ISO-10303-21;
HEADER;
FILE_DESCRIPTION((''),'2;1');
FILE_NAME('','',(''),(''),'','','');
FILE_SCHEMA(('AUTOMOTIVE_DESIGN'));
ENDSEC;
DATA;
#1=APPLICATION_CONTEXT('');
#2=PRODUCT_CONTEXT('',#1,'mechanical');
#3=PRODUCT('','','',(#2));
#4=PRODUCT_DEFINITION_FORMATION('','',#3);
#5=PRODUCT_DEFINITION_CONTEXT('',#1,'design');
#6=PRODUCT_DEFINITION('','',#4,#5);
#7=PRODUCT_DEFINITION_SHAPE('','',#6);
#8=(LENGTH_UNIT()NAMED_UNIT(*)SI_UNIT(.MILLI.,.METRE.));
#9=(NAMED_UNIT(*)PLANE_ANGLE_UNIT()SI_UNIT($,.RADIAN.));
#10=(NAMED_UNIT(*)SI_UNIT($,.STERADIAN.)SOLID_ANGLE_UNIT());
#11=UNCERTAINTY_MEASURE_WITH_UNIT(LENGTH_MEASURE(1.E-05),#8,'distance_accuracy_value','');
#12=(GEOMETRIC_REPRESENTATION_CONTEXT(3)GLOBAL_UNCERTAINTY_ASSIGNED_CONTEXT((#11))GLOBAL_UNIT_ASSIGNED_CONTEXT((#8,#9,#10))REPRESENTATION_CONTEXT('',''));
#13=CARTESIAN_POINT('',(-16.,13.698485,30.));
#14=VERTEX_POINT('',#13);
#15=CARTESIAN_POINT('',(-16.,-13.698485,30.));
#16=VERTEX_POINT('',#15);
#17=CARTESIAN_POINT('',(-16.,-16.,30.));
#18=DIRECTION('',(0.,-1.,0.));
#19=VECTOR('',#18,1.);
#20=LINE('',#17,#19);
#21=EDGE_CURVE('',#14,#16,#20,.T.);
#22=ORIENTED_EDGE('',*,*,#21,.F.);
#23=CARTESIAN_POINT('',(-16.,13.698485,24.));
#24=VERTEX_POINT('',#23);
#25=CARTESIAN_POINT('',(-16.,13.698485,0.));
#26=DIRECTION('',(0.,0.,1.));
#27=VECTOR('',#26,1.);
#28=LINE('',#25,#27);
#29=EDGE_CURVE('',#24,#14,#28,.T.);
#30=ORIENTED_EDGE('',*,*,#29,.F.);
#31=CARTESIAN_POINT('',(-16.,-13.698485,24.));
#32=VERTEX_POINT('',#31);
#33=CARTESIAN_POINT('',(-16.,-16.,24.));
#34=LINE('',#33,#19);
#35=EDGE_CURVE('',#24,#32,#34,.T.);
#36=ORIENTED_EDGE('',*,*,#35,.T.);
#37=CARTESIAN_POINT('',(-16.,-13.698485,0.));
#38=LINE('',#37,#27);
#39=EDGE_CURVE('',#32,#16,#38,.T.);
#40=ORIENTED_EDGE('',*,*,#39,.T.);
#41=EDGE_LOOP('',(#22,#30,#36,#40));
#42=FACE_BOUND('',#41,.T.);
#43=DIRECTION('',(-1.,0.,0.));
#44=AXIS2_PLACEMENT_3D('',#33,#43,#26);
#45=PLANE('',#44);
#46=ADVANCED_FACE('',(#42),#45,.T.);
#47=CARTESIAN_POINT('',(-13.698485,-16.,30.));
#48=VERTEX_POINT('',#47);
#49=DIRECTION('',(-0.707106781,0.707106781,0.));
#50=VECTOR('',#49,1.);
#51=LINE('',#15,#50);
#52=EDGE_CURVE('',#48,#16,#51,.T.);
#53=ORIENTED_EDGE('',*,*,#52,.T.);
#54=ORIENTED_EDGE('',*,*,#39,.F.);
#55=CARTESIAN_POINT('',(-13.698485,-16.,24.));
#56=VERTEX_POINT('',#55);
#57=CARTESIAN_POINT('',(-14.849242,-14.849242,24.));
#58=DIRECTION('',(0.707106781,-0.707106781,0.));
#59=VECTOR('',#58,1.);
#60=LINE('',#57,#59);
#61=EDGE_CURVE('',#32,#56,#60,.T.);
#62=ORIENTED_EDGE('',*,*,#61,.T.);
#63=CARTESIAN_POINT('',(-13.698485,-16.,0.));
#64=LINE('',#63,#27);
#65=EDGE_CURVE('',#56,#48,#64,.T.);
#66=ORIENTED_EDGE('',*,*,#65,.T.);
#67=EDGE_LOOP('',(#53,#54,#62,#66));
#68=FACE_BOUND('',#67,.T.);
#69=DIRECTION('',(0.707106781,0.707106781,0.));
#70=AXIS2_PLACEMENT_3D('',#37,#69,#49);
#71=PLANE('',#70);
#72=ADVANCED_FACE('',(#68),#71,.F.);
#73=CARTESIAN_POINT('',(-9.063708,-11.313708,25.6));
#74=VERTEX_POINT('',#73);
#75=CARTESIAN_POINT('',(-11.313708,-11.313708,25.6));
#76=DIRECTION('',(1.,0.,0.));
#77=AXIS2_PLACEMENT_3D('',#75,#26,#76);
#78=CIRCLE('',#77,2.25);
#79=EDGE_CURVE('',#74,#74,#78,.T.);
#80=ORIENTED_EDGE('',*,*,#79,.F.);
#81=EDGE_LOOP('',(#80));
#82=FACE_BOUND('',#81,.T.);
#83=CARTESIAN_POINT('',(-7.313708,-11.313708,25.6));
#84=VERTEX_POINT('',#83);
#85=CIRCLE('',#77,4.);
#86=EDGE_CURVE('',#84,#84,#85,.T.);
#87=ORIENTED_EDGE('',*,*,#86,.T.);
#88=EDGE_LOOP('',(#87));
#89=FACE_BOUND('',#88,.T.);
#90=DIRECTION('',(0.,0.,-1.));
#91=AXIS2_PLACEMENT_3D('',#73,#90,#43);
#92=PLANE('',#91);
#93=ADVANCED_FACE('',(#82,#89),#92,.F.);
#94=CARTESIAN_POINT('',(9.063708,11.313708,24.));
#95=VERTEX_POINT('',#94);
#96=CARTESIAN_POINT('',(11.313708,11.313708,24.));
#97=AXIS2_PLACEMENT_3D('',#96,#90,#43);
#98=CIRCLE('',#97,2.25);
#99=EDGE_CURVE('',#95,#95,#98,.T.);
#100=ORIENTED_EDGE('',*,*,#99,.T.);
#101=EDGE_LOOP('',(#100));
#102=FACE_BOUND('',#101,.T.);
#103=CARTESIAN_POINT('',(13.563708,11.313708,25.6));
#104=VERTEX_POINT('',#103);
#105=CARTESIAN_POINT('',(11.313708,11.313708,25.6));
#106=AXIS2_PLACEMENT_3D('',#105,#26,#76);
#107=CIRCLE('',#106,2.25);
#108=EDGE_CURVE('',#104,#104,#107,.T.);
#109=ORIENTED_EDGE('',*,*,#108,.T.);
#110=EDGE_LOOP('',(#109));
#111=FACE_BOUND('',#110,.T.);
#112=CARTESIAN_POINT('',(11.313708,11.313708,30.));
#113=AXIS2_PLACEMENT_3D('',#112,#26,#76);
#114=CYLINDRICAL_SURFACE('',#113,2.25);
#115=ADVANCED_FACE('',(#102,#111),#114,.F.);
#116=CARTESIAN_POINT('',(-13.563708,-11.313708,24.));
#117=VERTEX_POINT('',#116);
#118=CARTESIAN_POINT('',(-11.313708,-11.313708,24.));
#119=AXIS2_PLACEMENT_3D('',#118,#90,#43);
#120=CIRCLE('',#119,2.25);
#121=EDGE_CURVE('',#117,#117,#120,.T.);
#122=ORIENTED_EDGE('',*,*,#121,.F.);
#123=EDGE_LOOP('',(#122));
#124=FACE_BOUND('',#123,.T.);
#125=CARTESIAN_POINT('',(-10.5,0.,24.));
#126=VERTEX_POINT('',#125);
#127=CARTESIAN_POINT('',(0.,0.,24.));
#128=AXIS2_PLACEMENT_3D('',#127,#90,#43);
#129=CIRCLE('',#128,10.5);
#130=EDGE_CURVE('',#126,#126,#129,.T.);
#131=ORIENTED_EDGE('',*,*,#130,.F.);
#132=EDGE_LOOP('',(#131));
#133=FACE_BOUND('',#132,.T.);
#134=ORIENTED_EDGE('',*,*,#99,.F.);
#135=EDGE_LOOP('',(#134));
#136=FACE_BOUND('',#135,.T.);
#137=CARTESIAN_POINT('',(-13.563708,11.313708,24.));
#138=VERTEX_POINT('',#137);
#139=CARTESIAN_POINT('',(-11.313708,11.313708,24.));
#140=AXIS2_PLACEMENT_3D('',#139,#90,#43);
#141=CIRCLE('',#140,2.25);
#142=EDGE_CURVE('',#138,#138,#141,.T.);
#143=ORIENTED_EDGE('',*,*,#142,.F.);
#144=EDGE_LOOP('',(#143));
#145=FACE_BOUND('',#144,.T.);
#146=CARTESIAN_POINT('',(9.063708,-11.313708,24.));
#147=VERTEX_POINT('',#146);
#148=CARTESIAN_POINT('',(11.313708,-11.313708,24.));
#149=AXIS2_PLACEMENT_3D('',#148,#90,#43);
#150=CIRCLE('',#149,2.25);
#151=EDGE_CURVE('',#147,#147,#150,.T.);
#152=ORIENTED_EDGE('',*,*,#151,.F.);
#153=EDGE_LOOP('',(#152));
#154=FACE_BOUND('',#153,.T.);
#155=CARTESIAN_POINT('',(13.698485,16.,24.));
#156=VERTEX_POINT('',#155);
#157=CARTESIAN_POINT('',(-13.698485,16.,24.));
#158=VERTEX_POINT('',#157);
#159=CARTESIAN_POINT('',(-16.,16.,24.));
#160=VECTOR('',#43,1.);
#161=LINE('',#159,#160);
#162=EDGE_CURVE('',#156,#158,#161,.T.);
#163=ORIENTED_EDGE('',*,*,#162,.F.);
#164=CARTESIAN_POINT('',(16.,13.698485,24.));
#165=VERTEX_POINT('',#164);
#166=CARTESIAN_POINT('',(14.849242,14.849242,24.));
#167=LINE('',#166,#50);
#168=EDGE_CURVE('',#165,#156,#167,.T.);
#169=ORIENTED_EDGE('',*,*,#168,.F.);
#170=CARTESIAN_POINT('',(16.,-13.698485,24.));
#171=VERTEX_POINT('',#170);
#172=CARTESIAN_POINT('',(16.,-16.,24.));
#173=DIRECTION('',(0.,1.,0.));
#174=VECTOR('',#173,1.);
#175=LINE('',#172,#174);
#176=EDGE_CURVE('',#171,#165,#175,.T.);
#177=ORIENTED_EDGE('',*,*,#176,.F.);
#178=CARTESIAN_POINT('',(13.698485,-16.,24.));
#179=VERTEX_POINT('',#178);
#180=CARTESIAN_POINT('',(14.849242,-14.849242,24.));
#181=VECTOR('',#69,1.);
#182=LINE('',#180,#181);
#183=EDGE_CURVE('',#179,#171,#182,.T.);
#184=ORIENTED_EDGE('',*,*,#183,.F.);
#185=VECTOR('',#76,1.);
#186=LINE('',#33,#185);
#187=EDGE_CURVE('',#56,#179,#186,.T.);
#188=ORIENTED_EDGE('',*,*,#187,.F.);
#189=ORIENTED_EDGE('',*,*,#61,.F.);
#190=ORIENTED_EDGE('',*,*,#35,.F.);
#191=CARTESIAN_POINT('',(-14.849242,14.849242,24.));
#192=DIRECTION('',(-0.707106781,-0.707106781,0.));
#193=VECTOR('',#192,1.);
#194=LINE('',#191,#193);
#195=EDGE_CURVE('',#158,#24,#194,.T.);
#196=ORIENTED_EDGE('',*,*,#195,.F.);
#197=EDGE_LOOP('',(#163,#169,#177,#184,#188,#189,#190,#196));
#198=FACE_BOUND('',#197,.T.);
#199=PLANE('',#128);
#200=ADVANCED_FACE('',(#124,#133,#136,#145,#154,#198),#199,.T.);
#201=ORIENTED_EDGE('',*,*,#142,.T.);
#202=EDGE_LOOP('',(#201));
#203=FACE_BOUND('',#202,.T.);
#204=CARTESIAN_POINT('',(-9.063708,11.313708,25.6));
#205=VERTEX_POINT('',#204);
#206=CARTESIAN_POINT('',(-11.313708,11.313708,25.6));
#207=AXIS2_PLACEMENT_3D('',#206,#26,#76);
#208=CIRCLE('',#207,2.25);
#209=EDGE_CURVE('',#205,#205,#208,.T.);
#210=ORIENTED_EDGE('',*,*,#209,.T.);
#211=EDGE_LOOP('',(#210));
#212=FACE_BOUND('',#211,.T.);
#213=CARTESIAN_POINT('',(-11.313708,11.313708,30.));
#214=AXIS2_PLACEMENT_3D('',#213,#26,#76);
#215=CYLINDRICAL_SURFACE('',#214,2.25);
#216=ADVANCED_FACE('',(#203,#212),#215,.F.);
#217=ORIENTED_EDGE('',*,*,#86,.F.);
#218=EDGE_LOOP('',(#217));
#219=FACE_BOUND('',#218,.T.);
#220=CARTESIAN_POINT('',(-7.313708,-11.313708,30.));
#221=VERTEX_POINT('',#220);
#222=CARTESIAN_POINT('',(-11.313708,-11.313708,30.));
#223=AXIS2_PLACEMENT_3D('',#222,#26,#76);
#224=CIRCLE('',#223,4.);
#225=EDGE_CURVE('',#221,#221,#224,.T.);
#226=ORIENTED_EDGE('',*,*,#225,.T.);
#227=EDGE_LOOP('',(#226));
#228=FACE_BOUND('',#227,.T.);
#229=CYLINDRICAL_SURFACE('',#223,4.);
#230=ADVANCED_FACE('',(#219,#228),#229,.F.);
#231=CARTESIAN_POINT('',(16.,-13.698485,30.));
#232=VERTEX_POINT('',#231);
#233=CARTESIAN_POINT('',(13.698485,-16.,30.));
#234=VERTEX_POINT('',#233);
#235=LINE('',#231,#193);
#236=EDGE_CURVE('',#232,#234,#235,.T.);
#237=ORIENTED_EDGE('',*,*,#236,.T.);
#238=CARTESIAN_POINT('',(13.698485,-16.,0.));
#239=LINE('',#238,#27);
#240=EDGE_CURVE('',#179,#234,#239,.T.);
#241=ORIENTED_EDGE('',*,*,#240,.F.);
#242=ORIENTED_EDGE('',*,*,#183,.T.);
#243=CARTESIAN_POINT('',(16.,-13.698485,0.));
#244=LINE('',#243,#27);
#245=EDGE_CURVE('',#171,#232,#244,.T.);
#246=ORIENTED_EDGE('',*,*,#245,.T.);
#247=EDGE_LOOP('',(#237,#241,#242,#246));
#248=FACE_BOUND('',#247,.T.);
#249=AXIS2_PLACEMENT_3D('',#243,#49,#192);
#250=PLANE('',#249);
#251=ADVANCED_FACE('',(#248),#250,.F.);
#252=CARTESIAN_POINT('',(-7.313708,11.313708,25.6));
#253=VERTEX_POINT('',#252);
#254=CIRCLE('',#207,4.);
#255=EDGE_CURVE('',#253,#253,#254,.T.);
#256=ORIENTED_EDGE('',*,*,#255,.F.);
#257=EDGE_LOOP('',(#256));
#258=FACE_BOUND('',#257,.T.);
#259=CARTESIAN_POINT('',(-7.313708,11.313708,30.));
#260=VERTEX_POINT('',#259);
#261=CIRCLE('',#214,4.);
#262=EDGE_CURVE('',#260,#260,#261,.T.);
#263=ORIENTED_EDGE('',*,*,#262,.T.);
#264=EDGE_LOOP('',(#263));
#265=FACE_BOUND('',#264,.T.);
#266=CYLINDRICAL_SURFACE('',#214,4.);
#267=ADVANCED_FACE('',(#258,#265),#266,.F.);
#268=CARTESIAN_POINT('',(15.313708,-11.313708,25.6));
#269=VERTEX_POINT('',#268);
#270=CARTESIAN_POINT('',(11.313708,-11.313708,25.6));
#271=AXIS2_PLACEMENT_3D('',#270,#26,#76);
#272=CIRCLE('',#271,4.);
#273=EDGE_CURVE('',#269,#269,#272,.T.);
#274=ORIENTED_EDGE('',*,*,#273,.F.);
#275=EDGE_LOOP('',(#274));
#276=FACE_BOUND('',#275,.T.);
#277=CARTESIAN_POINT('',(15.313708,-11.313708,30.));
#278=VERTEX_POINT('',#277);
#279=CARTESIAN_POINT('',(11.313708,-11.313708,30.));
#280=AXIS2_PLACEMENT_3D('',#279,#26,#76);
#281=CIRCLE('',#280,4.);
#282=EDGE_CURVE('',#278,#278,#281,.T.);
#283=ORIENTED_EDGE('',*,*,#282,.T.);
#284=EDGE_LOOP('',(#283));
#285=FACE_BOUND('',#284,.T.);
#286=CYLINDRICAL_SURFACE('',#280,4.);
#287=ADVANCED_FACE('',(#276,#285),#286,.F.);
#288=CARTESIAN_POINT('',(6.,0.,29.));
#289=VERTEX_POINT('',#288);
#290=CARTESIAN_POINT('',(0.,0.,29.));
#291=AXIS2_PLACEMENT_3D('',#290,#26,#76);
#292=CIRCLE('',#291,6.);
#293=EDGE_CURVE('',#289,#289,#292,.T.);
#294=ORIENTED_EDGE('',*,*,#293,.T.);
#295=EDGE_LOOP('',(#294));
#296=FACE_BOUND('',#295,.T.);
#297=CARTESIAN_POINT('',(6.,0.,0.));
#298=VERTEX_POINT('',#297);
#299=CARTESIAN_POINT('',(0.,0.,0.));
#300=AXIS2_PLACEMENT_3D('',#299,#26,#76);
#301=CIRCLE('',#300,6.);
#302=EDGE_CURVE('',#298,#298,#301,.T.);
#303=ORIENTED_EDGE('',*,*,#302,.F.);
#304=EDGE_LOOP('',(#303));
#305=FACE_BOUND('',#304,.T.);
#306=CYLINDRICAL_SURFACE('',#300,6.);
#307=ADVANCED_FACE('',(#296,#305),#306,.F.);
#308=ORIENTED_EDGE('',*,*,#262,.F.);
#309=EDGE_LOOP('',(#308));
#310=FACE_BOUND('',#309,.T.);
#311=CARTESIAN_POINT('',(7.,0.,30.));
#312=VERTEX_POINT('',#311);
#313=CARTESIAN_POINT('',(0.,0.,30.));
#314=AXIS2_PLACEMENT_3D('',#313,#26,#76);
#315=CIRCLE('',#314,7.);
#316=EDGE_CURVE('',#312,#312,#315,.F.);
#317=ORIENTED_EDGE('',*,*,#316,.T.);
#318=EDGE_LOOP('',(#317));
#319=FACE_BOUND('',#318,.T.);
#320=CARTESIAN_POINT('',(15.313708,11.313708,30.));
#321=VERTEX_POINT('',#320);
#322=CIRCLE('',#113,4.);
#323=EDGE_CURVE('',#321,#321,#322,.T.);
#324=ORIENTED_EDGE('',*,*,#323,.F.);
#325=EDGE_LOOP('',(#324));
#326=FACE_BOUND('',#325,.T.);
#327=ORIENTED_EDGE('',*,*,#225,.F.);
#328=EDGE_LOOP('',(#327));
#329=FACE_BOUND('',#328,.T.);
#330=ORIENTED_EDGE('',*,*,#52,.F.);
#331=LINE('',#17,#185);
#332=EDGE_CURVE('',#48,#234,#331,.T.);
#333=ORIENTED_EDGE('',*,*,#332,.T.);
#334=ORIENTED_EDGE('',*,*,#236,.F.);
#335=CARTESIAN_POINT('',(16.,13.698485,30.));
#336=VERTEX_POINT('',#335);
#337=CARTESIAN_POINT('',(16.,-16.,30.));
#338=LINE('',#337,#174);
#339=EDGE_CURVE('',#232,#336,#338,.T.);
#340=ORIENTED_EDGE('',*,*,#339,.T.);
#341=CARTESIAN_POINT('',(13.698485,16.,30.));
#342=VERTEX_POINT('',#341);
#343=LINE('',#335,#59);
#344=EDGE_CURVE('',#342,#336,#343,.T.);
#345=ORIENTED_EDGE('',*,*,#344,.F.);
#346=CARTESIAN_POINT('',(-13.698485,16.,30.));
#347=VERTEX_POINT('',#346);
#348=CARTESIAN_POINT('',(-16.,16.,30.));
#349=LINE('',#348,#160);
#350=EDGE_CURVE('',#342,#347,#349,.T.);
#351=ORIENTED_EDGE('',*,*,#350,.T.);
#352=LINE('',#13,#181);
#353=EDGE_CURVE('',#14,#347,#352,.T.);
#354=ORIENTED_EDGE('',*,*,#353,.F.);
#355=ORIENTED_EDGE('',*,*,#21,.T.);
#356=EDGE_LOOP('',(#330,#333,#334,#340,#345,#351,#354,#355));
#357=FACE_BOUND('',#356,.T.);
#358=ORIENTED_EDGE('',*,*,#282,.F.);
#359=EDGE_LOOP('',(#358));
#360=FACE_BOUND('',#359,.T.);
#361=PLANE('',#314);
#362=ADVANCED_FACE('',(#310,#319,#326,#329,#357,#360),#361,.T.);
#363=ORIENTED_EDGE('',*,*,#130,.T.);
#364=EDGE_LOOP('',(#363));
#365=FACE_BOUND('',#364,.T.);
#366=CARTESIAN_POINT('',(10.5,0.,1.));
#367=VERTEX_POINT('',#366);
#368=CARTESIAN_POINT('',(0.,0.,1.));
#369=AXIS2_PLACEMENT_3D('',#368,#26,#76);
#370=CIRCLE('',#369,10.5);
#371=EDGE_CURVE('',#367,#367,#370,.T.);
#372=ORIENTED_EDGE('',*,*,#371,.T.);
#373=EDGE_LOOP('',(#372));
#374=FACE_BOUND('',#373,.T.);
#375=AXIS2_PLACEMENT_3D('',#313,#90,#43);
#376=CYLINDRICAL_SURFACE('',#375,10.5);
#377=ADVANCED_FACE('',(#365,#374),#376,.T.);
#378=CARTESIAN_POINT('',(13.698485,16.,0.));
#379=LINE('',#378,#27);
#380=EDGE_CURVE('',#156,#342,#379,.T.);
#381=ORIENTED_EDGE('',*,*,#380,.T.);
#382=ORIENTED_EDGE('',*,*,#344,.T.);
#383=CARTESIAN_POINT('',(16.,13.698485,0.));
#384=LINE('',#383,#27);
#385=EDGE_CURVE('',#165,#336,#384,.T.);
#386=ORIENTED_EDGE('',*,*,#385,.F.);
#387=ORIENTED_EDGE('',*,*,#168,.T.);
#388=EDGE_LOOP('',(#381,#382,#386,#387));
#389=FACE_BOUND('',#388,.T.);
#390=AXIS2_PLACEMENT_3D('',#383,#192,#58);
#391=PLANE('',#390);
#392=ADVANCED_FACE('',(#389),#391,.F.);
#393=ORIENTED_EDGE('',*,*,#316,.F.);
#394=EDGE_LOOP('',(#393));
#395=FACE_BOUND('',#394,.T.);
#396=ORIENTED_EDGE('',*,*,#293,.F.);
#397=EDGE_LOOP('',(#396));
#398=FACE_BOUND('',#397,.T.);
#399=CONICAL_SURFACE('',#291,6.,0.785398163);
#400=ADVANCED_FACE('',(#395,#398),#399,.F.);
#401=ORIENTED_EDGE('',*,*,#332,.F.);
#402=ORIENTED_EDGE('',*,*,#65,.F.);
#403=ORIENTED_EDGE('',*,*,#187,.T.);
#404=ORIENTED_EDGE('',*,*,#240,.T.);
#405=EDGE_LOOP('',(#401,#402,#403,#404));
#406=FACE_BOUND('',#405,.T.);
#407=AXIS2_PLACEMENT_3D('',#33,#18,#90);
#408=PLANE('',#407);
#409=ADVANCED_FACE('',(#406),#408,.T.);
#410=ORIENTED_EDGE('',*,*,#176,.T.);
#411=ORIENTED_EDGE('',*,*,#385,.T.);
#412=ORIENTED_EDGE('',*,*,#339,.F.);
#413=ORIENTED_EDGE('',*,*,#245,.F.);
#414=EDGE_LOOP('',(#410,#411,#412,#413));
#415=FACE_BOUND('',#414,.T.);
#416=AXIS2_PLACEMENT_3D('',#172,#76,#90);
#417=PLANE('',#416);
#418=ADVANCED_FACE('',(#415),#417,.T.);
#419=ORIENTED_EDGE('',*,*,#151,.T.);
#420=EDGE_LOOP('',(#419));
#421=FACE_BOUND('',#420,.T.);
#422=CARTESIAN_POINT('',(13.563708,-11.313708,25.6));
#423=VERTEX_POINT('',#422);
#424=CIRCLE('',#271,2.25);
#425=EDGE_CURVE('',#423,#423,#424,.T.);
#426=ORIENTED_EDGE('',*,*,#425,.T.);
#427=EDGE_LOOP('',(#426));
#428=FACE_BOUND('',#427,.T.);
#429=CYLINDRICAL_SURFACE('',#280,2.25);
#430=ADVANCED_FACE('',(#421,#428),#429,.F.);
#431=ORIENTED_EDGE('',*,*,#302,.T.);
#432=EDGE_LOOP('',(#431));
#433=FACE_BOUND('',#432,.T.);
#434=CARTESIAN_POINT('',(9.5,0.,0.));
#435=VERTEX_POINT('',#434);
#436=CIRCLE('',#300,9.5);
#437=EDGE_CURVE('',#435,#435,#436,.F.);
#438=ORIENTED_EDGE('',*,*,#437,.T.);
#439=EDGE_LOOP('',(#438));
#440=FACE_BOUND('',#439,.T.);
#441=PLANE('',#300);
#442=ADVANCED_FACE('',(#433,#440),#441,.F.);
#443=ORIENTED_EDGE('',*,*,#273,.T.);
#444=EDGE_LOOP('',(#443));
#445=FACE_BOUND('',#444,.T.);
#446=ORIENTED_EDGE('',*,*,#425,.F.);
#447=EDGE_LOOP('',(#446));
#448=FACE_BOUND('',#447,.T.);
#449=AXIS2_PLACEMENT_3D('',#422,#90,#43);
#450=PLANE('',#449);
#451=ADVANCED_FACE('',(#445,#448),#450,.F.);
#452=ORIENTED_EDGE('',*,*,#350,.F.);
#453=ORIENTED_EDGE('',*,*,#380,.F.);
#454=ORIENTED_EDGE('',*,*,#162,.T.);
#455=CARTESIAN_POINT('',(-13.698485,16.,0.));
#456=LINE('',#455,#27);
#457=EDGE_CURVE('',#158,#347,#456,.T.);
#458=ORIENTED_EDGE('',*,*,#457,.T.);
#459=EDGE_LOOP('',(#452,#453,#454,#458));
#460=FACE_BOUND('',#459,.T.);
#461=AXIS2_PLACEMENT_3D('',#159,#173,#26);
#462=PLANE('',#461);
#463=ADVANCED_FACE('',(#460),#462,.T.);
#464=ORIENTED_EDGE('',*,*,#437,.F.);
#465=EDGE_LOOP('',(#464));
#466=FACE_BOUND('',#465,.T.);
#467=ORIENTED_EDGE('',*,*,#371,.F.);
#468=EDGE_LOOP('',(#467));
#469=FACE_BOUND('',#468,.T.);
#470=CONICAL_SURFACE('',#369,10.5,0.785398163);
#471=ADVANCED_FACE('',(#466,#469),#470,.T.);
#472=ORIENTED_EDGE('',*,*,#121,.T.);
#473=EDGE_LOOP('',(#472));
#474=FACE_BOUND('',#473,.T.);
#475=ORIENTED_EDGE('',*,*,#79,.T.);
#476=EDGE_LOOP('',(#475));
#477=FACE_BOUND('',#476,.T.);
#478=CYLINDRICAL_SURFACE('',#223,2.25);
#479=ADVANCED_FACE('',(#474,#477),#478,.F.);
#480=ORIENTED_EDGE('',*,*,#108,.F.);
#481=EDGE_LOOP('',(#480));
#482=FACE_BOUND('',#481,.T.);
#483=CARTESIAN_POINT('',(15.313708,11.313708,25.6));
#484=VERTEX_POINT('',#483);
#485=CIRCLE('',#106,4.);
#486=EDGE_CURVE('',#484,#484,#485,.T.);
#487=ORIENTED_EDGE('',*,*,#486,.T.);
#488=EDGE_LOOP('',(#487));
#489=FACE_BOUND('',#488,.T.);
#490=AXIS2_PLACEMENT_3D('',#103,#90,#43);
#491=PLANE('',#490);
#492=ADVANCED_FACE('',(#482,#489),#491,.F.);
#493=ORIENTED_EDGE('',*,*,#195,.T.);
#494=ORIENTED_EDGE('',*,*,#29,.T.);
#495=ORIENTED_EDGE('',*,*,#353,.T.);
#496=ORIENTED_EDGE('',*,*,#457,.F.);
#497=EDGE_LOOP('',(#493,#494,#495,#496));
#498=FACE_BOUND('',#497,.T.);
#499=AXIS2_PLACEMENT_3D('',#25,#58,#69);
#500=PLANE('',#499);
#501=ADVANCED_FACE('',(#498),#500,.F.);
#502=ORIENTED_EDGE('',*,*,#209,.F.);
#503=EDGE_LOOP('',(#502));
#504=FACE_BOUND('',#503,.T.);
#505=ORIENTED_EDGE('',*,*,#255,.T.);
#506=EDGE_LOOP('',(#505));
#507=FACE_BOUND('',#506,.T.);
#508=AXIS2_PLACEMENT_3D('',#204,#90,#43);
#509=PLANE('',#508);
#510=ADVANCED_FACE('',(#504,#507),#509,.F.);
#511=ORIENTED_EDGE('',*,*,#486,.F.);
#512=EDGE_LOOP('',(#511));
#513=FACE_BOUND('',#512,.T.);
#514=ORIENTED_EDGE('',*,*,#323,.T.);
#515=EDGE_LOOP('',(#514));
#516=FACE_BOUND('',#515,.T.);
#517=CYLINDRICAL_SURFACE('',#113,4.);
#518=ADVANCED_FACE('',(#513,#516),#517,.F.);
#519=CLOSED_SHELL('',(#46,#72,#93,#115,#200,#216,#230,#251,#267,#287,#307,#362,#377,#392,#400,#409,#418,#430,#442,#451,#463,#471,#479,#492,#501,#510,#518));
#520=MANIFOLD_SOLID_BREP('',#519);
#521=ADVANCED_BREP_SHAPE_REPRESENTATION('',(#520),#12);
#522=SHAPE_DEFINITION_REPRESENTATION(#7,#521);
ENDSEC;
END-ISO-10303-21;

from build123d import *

# Parameters (mm, degrees)
SKETCH1_R                                           = 10.5
BOSS_EXTRUDE1_DEPTH                                 = 30
SKETCH2_W                                           = 32
SKETCH2_H                                           = 32
BOSS_EXTRUDE2_DEPTH                                 = 6
CUT_EXTRUDE1_DEPTH                                  = 38.576588456
CBORE_FOR_M4_HEX_SOCKET_HEAD_CAP_SCREW1_D           = 4.5
CBORE_FOR_M4_HEX_SOCKET_HEAD_CAP_SCREW1_DEPTH       = 22
CBORE_FOR_M4_HEX_SOCKET_HEAD_CAP_SCREW1_CBORE_D     = 8
CBORE_FOR_M4_HEX_SOCKET_HEAD_CAP_SCREW1_CBORE_DEPTH = 4.4
CBORE_FOR_M4_HEX_SOCKET_HEAD_CAP_SCREW1_TIP         = 1.351936393
SKETCH8_R                                           = 6
CUT_EXTRUDE2_DEPTH                                  = 38.576588456
CHAMFER1_SIZE                                       = 1


with BuildPart() as part:
    # Sketch1 → Boss-Extrude1 (new body)
    with BuildSketch(Plane.XY):
        Circle(SKETCH1_R)
    extrude(amount=BOSS_EXTRUDE1_DEPTH)

    # Sketch2 → Boss-Extrude2 (add)
    with BuildSketch(Plane.XY.offset(30)):
        Rectangle(SKETCH2_W, SKETCH2_H)
    extrude(amount=-BOSS_EXTRUDE2_DEPTH)

    # Sketch4 → Cut-Extrude1 (cut, through all)
    with BuildSketch(Plane.XY.offset(30)):
        Polygon((-16, 16), (-16, 13.69848481), (-13.69848481, 16), align=None)
        Polygon((13.69848481, 16), (16, 16), (16, 13.69848481), align=None)
        Polygon((16, -16), (16, -13.69848481), (13.69848481, -16), align=None)
        Polygon((-13.69848481, -16), (-16, -16), (-16, -13.69848481), align=None)
    extrude(amount=-CUT_EXTRUDE1_DEPTH, mode=Mode.SUBTRACT)

    # CBORE for M4 Hex Socket Head Cap Screw1
    with Locations(Plane.XY.offset(30)):
        with Locations((-11.313708499, 11.313708499), (11.313708499, 11.313708499), (11.313708499, -11.313708499), (-11.313708499, -11.313708499)):
            CounterBoreHole(CBORE_FOR_M4_HEX_SOCKET_HEAD_CAP_SCREW1_D / 2, CBORE_FOR_M4_HEX_SOCKET_HEAD_CAP_SCREW1_CBORE_D / 2, CBORE_FOR_M4_HEX_SOCKET_HEAD_CAP_SCREW1_CBORE_DEPTH, depth=CBORE_FOR_M4_HEX_SOCKET_HEAD_CAP_SCREW1_DEPTH)
            with Locations((0, 0, -(CBORE_FOR_M4_HEX_SOCKET_HEAD_CAP_SCREW1_DEPTH + CBORE_FOR_M4_HEX_SOCKET_HEAD_CAP_SCREW1_TIP / 2))):  # 118° drill point
                Cone(0, CBORE_FOR_M4_HEX_SOCKET_HEAD_CAP_SCREW1_D / 2, CBORE_FOR_M4_HEX_SOCKET_HEAD_CAP_SCREW1_TIP, mode=Mode.SUBTRACT)

    # Sketch8 → Cut-Extrude2 (cut, through all)
    with BuildSketch(Plane.XY.offset(30)):
        Circle(SKETCH8_R)
    extrude(amount=-CUT_EXTRUDE2_DEPTH, mode=Mode.SUBTRACT)

    # Chamfer1
    chamfer1_edges = [part.edges().sort_by_distance(p)[0] for p in [
        (-6, 0, 30),
        (-10.5, 0, 0),
    ]]
    chamfer(chamfer1_edges, length=CHAMFER1_SIZE)


solid = part.part
